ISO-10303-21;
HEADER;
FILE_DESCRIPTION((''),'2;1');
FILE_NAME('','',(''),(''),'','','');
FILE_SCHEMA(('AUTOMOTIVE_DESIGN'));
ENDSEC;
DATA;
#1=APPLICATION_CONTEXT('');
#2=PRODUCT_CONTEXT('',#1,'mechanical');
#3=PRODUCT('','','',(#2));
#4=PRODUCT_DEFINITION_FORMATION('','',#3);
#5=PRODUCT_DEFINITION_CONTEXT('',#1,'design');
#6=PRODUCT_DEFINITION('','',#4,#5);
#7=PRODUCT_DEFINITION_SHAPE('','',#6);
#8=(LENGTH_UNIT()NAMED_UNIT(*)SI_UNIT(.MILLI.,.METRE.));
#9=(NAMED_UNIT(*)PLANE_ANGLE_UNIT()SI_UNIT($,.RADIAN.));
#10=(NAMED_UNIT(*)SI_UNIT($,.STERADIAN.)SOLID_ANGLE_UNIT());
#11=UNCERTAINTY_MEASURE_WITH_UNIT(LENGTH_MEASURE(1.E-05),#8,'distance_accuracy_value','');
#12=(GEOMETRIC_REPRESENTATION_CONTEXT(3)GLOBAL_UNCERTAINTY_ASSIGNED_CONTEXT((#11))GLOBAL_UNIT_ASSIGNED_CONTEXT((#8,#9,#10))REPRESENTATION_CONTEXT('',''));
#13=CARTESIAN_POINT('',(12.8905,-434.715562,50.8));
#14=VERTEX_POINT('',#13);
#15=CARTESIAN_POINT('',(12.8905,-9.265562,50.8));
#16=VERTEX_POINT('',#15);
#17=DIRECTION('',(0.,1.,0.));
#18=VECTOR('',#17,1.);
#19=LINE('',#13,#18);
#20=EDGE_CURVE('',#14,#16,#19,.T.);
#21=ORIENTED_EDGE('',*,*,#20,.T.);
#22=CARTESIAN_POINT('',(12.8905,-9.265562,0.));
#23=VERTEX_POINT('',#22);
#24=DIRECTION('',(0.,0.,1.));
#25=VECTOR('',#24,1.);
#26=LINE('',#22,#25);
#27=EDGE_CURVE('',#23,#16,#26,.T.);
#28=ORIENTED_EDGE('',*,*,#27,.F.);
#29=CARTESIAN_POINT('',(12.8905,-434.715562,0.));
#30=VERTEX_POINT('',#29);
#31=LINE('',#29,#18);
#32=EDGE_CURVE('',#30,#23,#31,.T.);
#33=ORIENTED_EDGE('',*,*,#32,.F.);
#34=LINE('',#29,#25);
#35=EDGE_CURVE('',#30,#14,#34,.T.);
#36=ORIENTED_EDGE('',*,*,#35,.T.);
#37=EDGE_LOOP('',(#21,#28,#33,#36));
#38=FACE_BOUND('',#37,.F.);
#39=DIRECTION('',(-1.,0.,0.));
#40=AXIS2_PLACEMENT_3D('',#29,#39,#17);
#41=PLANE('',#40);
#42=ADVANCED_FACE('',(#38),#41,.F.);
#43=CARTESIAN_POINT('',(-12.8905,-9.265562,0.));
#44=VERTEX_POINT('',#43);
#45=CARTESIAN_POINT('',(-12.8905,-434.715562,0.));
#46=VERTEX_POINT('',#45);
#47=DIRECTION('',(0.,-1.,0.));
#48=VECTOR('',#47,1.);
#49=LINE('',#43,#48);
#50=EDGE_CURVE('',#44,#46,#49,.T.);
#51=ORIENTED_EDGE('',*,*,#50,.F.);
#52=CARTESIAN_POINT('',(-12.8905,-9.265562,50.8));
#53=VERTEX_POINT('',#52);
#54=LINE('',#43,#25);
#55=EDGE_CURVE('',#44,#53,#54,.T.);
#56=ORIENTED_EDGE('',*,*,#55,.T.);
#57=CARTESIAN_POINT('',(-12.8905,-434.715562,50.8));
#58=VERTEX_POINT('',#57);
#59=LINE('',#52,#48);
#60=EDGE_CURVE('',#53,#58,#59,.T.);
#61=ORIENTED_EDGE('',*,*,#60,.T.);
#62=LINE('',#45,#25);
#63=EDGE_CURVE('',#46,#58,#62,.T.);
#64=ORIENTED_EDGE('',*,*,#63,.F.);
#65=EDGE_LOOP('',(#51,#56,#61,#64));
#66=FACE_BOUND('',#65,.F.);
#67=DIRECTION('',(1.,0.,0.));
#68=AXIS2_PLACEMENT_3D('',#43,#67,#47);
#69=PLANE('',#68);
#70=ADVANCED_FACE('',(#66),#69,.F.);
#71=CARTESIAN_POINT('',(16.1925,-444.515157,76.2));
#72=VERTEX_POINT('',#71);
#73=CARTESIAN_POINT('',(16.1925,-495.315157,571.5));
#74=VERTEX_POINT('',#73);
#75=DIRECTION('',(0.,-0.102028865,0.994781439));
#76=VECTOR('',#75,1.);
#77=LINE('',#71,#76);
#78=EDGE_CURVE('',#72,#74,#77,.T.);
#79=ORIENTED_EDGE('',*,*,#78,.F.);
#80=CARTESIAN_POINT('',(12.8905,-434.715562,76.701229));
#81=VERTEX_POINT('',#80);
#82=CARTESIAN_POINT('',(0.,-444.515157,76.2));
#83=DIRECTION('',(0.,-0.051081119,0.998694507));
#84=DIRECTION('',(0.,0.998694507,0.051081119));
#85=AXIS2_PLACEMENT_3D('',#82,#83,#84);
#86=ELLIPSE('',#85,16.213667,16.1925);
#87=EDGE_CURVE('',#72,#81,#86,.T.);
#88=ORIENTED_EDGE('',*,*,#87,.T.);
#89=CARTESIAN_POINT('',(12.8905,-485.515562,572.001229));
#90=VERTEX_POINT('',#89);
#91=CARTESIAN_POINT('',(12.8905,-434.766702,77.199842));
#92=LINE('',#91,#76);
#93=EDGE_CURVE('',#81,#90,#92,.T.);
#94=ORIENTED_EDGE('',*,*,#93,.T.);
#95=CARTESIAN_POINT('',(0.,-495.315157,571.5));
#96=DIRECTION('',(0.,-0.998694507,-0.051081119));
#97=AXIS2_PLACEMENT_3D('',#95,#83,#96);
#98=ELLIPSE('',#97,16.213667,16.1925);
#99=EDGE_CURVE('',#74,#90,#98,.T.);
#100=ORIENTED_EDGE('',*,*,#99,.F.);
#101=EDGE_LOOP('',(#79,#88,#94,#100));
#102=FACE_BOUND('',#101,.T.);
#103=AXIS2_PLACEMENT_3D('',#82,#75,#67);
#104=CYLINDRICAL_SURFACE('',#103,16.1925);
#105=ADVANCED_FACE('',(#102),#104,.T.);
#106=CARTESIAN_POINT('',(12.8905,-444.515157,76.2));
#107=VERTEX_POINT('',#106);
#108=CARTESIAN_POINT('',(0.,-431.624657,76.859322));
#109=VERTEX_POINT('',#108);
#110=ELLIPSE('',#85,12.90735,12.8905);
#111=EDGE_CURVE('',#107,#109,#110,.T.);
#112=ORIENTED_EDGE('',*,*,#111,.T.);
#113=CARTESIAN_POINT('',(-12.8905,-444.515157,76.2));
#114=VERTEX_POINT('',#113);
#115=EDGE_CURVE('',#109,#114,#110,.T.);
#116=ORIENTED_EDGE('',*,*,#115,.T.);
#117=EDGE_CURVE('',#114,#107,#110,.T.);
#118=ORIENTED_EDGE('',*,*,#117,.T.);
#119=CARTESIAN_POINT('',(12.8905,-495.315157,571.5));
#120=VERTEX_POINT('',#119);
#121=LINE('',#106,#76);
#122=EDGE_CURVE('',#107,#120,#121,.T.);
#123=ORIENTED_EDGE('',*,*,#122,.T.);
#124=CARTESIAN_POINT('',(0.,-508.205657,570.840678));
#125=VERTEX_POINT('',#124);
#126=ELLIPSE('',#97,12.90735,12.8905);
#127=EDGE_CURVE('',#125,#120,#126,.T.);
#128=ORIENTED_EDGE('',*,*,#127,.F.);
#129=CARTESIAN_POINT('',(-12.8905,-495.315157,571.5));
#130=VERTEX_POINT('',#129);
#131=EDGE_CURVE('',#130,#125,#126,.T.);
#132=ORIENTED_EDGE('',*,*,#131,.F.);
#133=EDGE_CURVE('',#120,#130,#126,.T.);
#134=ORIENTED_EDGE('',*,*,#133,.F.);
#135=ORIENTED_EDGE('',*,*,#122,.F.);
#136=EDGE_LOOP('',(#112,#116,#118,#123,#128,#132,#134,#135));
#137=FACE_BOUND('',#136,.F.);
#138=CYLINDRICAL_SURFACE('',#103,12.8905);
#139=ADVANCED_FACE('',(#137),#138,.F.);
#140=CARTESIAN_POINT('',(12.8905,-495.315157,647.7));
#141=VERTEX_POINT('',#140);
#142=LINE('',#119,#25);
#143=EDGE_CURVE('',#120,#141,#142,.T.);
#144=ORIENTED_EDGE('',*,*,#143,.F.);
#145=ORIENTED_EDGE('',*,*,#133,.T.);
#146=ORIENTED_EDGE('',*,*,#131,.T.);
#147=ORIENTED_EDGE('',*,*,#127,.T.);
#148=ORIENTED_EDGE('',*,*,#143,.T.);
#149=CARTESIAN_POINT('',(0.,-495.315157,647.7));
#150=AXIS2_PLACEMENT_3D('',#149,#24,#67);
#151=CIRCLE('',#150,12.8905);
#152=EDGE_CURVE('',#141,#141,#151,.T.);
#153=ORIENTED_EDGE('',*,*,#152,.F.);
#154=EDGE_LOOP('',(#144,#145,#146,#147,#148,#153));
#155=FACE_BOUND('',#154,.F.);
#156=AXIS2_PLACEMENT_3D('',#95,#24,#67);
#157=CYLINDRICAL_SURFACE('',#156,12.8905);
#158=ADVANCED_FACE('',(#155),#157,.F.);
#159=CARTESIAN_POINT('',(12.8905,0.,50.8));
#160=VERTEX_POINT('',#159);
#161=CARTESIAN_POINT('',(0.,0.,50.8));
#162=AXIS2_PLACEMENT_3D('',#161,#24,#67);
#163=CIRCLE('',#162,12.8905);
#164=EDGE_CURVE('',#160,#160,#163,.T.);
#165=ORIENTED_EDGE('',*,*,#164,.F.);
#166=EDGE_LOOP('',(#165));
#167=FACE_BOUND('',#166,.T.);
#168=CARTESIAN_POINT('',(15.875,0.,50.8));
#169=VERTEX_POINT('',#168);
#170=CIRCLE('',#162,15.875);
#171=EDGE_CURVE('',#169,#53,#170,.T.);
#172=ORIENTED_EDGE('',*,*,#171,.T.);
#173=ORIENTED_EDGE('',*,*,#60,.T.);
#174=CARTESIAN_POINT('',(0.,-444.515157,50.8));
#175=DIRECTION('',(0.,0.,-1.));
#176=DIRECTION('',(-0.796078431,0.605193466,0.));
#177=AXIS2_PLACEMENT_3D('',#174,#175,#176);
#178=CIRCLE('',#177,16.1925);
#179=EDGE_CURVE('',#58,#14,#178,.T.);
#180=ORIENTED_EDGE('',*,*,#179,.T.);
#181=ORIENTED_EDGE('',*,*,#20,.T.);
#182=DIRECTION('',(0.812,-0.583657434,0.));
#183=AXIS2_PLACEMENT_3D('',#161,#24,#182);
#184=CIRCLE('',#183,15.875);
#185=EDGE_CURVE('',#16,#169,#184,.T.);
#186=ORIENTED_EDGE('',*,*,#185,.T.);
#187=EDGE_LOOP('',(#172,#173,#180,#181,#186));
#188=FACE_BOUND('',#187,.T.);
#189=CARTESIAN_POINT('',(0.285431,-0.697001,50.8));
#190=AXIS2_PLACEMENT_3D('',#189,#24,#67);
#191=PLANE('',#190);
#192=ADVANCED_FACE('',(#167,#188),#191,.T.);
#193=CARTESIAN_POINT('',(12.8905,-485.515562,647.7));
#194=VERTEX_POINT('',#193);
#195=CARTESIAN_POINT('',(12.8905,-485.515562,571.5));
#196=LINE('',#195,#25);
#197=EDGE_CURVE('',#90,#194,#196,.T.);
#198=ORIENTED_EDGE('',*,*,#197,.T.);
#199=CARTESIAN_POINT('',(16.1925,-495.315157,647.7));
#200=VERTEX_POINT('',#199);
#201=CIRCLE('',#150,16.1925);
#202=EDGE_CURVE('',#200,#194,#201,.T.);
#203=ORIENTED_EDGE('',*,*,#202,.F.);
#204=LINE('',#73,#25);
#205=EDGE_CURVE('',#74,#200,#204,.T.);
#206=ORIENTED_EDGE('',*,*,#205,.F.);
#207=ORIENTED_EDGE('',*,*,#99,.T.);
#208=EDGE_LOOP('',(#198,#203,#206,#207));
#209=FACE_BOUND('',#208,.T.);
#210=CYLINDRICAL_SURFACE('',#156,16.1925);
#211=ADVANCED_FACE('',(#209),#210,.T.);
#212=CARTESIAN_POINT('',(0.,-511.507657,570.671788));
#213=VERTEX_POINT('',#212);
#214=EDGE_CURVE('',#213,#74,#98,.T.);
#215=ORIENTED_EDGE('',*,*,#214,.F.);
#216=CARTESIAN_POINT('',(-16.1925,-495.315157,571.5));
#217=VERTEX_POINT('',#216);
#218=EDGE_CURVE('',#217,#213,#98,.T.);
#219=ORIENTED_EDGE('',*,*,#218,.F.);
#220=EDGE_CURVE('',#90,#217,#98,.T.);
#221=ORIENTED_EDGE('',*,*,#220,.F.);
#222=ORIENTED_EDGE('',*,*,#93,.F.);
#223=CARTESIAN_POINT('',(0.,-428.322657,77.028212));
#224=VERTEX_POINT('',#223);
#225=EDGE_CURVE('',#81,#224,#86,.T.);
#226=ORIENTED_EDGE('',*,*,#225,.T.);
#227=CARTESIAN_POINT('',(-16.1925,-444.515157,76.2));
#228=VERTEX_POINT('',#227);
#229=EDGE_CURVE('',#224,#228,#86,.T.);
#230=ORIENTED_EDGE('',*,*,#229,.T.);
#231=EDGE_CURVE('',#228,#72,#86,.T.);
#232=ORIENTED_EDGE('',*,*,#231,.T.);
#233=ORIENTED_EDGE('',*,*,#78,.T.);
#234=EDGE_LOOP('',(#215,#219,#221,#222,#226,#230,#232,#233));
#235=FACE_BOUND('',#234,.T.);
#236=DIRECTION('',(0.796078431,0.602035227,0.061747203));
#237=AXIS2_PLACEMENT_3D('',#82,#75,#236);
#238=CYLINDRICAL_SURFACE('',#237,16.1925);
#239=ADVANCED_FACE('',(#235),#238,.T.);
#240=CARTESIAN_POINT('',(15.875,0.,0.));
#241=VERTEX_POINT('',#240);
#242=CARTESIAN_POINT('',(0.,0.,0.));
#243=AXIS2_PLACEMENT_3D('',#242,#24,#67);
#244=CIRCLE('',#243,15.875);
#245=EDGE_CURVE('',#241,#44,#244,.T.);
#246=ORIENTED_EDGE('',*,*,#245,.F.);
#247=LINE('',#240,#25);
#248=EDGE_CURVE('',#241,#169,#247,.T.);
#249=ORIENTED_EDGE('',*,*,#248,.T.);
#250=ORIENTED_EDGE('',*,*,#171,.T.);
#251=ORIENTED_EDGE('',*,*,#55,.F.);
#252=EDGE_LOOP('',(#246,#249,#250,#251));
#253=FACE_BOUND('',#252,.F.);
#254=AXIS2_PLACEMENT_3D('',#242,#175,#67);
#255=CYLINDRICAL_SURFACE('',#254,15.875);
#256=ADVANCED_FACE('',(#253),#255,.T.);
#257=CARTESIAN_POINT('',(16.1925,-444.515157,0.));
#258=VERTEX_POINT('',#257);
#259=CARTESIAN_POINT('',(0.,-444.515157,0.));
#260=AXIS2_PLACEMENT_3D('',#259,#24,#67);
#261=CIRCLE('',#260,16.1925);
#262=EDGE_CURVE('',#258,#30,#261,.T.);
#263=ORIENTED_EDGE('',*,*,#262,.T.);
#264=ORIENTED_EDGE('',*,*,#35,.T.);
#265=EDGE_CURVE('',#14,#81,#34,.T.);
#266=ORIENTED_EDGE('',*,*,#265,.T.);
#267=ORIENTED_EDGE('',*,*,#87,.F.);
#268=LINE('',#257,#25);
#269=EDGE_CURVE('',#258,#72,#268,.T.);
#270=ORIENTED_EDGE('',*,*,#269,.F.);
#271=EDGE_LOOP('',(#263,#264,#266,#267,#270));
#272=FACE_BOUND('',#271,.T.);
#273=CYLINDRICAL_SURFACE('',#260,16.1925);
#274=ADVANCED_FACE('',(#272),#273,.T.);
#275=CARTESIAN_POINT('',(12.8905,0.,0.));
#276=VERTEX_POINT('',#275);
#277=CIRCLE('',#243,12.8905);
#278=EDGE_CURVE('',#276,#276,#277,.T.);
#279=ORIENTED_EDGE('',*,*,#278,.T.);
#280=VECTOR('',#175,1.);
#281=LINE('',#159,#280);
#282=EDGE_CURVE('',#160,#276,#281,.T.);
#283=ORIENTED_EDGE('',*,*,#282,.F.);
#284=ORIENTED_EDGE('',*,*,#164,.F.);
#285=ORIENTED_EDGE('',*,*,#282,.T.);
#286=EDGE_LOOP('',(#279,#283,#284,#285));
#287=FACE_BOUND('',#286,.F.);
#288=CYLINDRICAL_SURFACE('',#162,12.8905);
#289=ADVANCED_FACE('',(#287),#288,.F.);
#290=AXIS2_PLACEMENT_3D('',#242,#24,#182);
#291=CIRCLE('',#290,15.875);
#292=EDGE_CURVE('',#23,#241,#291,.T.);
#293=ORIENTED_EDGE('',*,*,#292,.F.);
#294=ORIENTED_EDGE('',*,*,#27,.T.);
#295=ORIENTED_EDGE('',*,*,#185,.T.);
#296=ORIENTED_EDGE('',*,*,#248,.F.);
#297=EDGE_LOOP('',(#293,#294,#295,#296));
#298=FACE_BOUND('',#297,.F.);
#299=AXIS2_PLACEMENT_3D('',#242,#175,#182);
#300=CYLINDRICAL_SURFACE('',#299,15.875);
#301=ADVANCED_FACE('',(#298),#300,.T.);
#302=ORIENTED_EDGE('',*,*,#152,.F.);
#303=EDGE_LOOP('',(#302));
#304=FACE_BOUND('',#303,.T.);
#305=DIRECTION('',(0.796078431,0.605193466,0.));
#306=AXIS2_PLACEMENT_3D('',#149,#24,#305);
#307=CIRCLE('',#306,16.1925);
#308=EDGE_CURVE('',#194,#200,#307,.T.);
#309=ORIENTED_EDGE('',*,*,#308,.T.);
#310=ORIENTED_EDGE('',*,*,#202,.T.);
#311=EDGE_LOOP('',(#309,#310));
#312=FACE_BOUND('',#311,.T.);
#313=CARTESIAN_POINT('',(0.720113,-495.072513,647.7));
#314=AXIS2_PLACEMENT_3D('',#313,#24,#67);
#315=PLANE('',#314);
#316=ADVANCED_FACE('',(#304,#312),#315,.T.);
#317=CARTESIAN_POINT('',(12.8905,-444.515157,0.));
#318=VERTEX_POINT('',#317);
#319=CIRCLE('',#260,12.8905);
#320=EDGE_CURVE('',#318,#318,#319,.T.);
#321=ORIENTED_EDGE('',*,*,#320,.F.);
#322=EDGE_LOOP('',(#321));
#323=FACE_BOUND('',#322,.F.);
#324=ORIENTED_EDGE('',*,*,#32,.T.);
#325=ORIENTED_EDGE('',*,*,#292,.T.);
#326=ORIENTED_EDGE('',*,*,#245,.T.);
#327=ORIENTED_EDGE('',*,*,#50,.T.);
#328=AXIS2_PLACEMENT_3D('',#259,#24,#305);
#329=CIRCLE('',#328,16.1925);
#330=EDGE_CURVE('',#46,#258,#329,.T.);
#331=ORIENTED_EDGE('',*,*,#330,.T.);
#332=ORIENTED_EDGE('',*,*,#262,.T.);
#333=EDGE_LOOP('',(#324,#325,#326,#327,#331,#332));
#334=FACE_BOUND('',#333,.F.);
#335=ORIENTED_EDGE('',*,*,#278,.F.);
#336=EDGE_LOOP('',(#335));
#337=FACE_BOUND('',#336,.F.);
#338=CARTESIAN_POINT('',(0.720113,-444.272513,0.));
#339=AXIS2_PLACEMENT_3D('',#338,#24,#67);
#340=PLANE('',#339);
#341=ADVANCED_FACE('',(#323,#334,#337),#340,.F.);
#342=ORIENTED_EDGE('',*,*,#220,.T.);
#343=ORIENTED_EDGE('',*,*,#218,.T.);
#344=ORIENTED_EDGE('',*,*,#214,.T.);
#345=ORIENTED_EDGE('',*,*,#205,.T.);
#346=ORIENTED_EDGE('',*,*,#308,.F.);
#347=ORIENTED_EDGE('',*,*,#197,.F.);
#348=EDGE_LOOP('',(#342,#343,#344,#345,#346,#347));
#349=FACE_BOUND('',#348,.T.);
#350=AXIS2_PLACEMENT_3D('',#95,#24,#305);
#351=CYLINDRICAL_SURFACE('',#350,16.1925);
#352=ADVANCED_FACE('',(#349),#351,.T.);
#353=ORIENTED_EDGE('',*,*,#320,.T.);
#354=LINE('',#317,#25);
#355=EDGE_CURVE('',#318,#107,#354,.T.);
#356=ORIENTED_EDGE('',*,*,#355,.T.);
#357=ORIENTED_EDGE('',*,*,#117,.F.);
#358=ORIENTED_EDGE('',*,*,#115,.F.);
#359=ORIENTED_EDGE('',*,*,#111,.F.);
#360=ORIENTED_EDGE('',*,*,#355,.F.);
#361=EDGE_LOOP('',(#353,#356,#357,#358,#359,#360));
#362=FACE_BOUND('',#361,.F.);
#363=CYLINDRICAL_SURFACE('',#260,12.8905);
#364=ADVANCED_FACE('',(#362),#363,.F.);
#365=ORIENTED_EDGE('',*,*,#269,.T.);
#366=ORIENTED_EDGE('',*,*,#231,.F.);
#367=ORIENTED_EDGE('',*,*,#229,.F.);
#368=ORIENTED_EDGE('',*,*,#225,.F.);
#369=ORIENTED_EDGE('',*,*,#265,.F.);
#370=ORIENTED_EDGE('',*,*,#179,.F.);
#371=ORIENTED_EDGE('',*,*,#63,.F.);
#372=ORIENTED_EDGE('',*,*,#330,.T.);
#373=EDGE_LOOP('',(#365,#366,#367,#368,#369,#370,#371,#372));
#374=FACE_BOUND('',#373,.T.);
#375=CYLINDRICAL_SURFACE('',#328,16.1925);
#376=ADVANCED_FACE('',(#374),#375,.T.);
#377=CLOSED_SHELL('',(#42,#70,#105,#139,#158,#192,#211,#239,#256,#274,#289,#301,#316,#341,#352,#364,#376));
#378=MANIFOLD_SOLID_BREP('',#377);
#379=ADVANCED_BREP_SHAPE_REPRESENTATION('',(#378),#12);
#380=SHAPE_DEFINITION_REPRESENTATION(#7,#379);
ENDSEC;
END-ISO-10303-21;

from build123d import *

# Parameters (mm, degrees)
F1_DEPTH = 50.8
F2_R     = 12.8905
F3_DEPTH = 50.8
F0_R     = 12.8905


with BuildPart() as f1:
    # F0 (on Top) → F1 (new body)
    with BuildSketch(Plane.XY):
        with BuildLine():
            ThreePointArc((12.8905, -9.2655617612), (15.1104651235, -4.8671828351), (15.875, 0))
            ThreePointArc((15.875, 0), (-4.8671828351, 15.1104651235), (-12.8905, -9.2655617612))
            ThreePointArc((-12.8905, -9.2655617612), (0, -15.875), (12.8905, -9.2655617612))
        make_face()
        with BuildLine():
            ThreePointArc((12.8905, -9.2655617612), (0, -15.875), (-12.8905, -9.2655617612))
            Line((-12.8905, -9.2655617612), (-12.8905, -221.9905617612))
            Line((-12.8905, -221.9905617612), (12.8905, -221.9905617612))
            Line((12.8905, -221.9905617612), (12.8905, -9.2655617612))
        make_face()
        with BuildLine():
            Line((12.8905, -221.9905617612), (-12.8905, -221.9905617612))
            Line((-12.8905, -221.9905617612), (-12.8905, -434.7155617612))
            ThreePointArc((-12.8905, -434.7155617612), (0, -428.3226569569), (12.8905, -434.7155617612))
            Line((12.8905, -434.7155617612), (12.8905, -221.9905617612))
        make_face()
    extrude(amount=F1_DEPTH)

    # F2 (on face) → F3 (cut, through all)
    with BuildSketch(Plane.XY.offset(50.8)):
        Circle(F2_R)
    extrude(amount=-F3_DEPTH, mode=Mode.SUBTRACT)

    # F5: sweep along a path in F4
    with BuildLine(Plane.YZ) as f5_path:
        Line((-444.5151569569, 0), (-444.5151569569, 76.2))
        Line((-444.5151569569, 76.2), (-495.3151569569, 571.5))
        Line((-495.3151569569, 571.5), (-495.3151569569, 647.7))
    # F0 (on Top) → F5 (sweep)
    with BuildSketch(Plane.XY):
        with BuildLine():
            ThreePointArc((12.8905, -434.7155617612), (0, -428.3226569569), (-12.8905, -434.7155617612))
            ThreePointArc((-12.8905, -434.7155617612), (-5.1704755584, -459.8599684171), (16.1925, -444.5151569569))
            ThreePointArc((16.1925, -444.5151569569), (15.3448114602, -439.3446813985), (12.8905, -434.7155617612))
        make_face()
        with Locations((0, -444.5151569569)):
            Circle(F0_R, mode=Mode.SUBTRACT)
    sweep(path=f5_path.line, transition=Transition.RIGHT)


solid = f1.part
